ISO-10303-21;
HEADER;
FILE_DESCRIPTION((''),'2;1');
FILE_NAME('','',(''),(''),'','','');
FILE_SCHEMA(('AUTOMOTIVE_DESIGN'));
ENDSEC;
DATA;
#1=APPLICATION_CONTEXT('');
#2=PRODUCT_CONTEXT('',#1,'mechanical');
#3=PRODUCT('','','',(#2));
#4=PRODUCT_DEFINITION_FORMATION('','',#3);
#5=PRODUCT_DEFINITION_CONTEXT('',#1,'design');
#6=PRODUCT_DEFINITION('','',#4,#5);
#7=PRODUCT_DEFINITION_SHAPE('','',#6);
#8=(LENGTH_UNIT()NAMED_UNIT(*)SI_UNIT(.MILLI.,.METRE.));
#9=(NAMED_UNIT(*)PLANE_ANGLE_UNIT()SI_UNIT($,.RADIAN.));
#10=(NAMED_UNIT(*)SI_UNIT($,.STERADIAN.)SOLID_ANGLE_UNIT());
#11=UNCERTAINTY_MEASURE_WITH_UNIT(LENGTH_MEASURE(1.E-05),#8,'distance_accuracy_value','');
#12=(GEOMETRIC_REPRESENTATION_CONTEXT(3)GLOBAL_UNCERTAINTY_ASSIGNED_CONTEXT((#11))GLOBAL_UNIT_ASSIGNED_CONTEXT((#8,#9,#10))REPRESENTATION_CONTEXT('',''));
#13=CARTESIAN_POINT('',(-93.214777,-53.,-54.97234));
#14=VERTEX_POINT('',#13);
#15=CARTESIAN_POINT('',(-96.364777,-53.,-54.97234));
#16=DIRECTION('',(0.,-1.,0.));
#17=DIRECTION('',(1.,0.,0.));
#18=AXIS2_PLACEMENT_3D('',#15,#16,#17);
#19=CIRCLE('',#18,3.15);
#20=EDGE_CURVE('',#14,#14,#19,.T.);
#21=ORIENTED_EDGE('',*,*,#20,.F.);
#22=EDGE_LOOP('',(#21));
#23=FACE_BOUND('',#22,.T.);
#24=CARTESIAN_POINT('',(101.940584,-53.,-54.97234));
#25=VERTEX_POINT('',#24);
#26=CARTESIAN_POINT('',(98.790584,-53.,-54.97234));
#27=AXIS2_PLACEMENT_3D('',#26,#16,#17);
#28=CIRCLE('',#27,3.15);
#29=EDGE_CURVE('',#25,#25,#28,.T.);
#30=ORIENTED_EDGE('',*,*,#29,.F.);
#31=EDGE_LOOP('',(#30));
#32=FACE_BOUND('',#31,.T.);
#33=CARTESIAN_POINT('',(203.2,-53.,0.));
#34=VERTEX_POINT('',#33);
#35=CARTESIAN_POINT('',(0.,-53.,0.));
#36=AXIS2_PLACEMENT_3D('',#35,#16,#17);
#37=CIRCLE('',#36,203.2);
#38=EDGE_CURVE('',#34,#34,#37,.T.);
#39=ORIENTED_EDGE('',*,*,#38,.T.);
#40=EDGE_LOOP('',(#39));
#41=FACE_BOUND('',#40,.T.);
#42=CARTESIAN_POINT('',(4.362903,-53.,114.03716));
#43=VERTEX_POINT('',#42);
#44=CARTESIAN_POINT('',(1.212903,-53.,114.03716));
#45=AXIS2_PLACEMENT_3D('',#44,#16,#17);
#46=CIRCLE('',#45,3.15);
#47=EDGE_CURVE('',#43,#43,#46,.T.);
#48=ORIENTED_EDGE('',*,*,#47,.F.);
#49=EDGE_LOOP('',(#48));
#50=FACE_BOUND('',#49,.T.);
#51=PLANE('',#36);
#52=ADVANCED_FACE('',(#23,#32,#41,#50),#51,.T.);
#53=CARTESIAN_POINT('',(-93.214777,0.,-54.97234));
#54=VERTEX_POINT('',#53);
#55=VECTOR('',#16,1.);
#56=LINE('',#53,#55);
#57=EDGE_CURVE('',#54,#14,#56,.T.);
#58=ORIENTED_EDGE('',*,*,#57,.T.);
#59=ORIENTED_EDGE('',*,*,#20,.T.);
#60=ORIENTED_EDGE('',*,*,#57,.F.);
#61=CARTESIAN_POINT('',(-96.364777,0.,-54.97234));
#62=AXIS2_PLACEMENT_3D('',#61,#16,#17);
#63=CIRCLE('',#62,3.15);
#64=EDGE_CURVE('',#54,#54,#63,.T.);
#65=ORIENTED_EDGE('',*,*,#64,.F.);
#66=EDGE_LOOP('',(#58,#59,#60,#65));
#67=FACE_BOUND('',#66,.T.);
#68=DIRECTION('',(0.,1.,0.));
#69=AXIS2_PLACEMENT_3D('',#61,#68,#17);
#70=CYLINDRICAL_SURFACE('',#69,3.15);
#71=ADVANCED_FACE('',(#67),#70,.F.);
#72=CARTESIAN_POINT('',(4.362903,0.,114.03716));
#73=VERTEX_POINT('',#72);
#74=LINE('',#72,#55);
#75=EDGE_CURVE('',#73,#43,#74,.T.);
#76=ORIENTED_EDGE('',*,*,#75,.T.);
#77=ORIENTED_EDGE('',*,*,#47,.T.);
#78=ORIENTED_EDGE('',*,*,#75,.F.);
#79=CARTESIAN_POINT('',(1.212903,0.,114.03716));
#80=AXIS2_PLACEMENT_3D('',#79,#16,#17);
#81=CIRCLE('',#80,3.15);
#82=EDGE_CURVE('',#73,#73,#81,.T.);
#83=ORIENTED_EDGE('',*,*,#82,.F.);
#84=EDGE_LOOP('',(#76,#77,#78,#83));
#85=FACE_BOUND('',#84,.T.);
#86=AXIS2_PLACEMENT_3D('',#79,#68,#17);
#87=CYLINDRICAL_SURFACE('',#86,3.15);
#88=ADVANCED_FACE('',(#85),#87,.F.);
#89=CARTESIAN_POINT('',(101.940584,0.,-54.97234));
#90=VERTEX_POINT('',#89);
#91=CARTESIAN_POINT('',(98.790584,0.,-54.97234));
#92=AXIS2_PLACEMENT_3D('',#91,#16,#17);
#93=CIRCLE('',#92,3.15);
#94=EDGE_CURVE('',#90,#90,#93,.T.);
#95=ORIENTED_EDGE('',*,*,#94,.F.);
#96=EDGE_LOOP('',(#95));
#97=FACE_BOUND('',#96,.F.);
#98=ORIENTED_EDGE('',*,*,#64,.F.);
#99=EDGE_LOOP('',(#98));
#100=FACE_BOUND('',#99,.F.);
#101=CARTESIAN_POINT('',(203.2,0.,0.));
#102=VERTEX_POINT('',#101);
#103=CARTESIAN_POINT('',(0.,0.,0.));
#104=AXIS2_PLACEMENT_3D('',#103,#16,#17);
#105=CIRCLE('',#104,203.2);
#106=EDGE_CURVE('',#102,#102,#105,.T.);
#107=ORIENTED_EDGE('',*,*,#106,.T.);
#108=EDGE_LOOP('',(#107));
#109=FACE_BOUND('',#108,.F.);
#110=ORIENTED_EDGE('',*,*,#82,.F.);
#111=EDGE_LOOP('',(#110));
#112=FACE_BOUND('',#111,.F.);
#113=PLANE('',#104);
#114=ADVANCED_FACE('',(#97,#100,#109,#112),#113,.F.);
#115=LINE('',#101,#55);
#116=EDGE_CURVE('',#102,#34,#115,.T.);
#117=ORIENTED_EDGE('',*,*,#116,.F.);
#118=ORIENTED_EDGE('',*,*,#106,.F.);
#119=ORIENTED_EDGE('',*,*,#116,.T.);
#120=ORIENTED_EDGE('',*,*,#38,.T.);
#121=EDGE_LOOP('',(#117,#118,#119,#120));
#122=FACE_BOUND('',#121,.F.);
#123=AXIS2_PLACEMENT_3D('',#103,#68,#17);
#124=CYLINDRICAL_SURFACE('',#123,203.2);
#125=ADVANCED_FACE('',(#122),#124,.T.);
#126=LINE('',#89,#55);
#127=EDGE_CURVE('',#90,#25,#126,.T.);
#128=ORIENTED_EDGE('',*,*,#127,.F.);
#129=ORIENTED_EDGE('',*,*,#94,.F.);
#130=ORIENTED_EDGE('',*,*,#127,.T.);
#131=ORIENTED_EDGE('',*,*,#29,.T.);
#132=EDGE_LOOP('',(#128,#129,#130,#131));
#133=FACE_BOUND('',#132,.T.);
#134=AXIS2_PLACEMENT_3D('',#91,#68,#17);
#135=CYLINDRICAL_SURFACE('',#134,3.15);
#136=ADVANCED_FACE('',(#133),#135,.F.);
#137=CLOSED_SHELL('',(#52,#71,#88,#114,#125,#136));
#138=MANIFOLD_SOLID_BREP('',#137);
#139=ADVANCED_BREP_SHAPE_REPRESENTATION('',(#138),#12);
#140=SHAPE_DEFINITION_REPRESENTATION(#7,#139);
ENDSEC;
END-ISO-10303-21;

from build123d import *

# Parameters (mm, degrees)
F0_R     = 203.2
F0_R_2   = 3.15
F1_DEPTH = 53


with BuildPart() as f1:
    # F0 (on Front) → F1 (new body)
    with BuildSketch(Plane.XZ):
        Circle(F0_R)
        with Locations((-96.364777, -54.97234)):
            Circle(F0_R_2, mode=Mode.SUBTRACT)
        with Locations((98.790584, -54.97234)):
            Circle(F0_R_2, mode=Mode.SUBTRACT)
        with Locations((1.212903, 114.03716)):
            Circle(F0_R_2, mode=Mode.SUBTRACT)
    extrude(amount=F1_DEPTH)


solid = f1.part
